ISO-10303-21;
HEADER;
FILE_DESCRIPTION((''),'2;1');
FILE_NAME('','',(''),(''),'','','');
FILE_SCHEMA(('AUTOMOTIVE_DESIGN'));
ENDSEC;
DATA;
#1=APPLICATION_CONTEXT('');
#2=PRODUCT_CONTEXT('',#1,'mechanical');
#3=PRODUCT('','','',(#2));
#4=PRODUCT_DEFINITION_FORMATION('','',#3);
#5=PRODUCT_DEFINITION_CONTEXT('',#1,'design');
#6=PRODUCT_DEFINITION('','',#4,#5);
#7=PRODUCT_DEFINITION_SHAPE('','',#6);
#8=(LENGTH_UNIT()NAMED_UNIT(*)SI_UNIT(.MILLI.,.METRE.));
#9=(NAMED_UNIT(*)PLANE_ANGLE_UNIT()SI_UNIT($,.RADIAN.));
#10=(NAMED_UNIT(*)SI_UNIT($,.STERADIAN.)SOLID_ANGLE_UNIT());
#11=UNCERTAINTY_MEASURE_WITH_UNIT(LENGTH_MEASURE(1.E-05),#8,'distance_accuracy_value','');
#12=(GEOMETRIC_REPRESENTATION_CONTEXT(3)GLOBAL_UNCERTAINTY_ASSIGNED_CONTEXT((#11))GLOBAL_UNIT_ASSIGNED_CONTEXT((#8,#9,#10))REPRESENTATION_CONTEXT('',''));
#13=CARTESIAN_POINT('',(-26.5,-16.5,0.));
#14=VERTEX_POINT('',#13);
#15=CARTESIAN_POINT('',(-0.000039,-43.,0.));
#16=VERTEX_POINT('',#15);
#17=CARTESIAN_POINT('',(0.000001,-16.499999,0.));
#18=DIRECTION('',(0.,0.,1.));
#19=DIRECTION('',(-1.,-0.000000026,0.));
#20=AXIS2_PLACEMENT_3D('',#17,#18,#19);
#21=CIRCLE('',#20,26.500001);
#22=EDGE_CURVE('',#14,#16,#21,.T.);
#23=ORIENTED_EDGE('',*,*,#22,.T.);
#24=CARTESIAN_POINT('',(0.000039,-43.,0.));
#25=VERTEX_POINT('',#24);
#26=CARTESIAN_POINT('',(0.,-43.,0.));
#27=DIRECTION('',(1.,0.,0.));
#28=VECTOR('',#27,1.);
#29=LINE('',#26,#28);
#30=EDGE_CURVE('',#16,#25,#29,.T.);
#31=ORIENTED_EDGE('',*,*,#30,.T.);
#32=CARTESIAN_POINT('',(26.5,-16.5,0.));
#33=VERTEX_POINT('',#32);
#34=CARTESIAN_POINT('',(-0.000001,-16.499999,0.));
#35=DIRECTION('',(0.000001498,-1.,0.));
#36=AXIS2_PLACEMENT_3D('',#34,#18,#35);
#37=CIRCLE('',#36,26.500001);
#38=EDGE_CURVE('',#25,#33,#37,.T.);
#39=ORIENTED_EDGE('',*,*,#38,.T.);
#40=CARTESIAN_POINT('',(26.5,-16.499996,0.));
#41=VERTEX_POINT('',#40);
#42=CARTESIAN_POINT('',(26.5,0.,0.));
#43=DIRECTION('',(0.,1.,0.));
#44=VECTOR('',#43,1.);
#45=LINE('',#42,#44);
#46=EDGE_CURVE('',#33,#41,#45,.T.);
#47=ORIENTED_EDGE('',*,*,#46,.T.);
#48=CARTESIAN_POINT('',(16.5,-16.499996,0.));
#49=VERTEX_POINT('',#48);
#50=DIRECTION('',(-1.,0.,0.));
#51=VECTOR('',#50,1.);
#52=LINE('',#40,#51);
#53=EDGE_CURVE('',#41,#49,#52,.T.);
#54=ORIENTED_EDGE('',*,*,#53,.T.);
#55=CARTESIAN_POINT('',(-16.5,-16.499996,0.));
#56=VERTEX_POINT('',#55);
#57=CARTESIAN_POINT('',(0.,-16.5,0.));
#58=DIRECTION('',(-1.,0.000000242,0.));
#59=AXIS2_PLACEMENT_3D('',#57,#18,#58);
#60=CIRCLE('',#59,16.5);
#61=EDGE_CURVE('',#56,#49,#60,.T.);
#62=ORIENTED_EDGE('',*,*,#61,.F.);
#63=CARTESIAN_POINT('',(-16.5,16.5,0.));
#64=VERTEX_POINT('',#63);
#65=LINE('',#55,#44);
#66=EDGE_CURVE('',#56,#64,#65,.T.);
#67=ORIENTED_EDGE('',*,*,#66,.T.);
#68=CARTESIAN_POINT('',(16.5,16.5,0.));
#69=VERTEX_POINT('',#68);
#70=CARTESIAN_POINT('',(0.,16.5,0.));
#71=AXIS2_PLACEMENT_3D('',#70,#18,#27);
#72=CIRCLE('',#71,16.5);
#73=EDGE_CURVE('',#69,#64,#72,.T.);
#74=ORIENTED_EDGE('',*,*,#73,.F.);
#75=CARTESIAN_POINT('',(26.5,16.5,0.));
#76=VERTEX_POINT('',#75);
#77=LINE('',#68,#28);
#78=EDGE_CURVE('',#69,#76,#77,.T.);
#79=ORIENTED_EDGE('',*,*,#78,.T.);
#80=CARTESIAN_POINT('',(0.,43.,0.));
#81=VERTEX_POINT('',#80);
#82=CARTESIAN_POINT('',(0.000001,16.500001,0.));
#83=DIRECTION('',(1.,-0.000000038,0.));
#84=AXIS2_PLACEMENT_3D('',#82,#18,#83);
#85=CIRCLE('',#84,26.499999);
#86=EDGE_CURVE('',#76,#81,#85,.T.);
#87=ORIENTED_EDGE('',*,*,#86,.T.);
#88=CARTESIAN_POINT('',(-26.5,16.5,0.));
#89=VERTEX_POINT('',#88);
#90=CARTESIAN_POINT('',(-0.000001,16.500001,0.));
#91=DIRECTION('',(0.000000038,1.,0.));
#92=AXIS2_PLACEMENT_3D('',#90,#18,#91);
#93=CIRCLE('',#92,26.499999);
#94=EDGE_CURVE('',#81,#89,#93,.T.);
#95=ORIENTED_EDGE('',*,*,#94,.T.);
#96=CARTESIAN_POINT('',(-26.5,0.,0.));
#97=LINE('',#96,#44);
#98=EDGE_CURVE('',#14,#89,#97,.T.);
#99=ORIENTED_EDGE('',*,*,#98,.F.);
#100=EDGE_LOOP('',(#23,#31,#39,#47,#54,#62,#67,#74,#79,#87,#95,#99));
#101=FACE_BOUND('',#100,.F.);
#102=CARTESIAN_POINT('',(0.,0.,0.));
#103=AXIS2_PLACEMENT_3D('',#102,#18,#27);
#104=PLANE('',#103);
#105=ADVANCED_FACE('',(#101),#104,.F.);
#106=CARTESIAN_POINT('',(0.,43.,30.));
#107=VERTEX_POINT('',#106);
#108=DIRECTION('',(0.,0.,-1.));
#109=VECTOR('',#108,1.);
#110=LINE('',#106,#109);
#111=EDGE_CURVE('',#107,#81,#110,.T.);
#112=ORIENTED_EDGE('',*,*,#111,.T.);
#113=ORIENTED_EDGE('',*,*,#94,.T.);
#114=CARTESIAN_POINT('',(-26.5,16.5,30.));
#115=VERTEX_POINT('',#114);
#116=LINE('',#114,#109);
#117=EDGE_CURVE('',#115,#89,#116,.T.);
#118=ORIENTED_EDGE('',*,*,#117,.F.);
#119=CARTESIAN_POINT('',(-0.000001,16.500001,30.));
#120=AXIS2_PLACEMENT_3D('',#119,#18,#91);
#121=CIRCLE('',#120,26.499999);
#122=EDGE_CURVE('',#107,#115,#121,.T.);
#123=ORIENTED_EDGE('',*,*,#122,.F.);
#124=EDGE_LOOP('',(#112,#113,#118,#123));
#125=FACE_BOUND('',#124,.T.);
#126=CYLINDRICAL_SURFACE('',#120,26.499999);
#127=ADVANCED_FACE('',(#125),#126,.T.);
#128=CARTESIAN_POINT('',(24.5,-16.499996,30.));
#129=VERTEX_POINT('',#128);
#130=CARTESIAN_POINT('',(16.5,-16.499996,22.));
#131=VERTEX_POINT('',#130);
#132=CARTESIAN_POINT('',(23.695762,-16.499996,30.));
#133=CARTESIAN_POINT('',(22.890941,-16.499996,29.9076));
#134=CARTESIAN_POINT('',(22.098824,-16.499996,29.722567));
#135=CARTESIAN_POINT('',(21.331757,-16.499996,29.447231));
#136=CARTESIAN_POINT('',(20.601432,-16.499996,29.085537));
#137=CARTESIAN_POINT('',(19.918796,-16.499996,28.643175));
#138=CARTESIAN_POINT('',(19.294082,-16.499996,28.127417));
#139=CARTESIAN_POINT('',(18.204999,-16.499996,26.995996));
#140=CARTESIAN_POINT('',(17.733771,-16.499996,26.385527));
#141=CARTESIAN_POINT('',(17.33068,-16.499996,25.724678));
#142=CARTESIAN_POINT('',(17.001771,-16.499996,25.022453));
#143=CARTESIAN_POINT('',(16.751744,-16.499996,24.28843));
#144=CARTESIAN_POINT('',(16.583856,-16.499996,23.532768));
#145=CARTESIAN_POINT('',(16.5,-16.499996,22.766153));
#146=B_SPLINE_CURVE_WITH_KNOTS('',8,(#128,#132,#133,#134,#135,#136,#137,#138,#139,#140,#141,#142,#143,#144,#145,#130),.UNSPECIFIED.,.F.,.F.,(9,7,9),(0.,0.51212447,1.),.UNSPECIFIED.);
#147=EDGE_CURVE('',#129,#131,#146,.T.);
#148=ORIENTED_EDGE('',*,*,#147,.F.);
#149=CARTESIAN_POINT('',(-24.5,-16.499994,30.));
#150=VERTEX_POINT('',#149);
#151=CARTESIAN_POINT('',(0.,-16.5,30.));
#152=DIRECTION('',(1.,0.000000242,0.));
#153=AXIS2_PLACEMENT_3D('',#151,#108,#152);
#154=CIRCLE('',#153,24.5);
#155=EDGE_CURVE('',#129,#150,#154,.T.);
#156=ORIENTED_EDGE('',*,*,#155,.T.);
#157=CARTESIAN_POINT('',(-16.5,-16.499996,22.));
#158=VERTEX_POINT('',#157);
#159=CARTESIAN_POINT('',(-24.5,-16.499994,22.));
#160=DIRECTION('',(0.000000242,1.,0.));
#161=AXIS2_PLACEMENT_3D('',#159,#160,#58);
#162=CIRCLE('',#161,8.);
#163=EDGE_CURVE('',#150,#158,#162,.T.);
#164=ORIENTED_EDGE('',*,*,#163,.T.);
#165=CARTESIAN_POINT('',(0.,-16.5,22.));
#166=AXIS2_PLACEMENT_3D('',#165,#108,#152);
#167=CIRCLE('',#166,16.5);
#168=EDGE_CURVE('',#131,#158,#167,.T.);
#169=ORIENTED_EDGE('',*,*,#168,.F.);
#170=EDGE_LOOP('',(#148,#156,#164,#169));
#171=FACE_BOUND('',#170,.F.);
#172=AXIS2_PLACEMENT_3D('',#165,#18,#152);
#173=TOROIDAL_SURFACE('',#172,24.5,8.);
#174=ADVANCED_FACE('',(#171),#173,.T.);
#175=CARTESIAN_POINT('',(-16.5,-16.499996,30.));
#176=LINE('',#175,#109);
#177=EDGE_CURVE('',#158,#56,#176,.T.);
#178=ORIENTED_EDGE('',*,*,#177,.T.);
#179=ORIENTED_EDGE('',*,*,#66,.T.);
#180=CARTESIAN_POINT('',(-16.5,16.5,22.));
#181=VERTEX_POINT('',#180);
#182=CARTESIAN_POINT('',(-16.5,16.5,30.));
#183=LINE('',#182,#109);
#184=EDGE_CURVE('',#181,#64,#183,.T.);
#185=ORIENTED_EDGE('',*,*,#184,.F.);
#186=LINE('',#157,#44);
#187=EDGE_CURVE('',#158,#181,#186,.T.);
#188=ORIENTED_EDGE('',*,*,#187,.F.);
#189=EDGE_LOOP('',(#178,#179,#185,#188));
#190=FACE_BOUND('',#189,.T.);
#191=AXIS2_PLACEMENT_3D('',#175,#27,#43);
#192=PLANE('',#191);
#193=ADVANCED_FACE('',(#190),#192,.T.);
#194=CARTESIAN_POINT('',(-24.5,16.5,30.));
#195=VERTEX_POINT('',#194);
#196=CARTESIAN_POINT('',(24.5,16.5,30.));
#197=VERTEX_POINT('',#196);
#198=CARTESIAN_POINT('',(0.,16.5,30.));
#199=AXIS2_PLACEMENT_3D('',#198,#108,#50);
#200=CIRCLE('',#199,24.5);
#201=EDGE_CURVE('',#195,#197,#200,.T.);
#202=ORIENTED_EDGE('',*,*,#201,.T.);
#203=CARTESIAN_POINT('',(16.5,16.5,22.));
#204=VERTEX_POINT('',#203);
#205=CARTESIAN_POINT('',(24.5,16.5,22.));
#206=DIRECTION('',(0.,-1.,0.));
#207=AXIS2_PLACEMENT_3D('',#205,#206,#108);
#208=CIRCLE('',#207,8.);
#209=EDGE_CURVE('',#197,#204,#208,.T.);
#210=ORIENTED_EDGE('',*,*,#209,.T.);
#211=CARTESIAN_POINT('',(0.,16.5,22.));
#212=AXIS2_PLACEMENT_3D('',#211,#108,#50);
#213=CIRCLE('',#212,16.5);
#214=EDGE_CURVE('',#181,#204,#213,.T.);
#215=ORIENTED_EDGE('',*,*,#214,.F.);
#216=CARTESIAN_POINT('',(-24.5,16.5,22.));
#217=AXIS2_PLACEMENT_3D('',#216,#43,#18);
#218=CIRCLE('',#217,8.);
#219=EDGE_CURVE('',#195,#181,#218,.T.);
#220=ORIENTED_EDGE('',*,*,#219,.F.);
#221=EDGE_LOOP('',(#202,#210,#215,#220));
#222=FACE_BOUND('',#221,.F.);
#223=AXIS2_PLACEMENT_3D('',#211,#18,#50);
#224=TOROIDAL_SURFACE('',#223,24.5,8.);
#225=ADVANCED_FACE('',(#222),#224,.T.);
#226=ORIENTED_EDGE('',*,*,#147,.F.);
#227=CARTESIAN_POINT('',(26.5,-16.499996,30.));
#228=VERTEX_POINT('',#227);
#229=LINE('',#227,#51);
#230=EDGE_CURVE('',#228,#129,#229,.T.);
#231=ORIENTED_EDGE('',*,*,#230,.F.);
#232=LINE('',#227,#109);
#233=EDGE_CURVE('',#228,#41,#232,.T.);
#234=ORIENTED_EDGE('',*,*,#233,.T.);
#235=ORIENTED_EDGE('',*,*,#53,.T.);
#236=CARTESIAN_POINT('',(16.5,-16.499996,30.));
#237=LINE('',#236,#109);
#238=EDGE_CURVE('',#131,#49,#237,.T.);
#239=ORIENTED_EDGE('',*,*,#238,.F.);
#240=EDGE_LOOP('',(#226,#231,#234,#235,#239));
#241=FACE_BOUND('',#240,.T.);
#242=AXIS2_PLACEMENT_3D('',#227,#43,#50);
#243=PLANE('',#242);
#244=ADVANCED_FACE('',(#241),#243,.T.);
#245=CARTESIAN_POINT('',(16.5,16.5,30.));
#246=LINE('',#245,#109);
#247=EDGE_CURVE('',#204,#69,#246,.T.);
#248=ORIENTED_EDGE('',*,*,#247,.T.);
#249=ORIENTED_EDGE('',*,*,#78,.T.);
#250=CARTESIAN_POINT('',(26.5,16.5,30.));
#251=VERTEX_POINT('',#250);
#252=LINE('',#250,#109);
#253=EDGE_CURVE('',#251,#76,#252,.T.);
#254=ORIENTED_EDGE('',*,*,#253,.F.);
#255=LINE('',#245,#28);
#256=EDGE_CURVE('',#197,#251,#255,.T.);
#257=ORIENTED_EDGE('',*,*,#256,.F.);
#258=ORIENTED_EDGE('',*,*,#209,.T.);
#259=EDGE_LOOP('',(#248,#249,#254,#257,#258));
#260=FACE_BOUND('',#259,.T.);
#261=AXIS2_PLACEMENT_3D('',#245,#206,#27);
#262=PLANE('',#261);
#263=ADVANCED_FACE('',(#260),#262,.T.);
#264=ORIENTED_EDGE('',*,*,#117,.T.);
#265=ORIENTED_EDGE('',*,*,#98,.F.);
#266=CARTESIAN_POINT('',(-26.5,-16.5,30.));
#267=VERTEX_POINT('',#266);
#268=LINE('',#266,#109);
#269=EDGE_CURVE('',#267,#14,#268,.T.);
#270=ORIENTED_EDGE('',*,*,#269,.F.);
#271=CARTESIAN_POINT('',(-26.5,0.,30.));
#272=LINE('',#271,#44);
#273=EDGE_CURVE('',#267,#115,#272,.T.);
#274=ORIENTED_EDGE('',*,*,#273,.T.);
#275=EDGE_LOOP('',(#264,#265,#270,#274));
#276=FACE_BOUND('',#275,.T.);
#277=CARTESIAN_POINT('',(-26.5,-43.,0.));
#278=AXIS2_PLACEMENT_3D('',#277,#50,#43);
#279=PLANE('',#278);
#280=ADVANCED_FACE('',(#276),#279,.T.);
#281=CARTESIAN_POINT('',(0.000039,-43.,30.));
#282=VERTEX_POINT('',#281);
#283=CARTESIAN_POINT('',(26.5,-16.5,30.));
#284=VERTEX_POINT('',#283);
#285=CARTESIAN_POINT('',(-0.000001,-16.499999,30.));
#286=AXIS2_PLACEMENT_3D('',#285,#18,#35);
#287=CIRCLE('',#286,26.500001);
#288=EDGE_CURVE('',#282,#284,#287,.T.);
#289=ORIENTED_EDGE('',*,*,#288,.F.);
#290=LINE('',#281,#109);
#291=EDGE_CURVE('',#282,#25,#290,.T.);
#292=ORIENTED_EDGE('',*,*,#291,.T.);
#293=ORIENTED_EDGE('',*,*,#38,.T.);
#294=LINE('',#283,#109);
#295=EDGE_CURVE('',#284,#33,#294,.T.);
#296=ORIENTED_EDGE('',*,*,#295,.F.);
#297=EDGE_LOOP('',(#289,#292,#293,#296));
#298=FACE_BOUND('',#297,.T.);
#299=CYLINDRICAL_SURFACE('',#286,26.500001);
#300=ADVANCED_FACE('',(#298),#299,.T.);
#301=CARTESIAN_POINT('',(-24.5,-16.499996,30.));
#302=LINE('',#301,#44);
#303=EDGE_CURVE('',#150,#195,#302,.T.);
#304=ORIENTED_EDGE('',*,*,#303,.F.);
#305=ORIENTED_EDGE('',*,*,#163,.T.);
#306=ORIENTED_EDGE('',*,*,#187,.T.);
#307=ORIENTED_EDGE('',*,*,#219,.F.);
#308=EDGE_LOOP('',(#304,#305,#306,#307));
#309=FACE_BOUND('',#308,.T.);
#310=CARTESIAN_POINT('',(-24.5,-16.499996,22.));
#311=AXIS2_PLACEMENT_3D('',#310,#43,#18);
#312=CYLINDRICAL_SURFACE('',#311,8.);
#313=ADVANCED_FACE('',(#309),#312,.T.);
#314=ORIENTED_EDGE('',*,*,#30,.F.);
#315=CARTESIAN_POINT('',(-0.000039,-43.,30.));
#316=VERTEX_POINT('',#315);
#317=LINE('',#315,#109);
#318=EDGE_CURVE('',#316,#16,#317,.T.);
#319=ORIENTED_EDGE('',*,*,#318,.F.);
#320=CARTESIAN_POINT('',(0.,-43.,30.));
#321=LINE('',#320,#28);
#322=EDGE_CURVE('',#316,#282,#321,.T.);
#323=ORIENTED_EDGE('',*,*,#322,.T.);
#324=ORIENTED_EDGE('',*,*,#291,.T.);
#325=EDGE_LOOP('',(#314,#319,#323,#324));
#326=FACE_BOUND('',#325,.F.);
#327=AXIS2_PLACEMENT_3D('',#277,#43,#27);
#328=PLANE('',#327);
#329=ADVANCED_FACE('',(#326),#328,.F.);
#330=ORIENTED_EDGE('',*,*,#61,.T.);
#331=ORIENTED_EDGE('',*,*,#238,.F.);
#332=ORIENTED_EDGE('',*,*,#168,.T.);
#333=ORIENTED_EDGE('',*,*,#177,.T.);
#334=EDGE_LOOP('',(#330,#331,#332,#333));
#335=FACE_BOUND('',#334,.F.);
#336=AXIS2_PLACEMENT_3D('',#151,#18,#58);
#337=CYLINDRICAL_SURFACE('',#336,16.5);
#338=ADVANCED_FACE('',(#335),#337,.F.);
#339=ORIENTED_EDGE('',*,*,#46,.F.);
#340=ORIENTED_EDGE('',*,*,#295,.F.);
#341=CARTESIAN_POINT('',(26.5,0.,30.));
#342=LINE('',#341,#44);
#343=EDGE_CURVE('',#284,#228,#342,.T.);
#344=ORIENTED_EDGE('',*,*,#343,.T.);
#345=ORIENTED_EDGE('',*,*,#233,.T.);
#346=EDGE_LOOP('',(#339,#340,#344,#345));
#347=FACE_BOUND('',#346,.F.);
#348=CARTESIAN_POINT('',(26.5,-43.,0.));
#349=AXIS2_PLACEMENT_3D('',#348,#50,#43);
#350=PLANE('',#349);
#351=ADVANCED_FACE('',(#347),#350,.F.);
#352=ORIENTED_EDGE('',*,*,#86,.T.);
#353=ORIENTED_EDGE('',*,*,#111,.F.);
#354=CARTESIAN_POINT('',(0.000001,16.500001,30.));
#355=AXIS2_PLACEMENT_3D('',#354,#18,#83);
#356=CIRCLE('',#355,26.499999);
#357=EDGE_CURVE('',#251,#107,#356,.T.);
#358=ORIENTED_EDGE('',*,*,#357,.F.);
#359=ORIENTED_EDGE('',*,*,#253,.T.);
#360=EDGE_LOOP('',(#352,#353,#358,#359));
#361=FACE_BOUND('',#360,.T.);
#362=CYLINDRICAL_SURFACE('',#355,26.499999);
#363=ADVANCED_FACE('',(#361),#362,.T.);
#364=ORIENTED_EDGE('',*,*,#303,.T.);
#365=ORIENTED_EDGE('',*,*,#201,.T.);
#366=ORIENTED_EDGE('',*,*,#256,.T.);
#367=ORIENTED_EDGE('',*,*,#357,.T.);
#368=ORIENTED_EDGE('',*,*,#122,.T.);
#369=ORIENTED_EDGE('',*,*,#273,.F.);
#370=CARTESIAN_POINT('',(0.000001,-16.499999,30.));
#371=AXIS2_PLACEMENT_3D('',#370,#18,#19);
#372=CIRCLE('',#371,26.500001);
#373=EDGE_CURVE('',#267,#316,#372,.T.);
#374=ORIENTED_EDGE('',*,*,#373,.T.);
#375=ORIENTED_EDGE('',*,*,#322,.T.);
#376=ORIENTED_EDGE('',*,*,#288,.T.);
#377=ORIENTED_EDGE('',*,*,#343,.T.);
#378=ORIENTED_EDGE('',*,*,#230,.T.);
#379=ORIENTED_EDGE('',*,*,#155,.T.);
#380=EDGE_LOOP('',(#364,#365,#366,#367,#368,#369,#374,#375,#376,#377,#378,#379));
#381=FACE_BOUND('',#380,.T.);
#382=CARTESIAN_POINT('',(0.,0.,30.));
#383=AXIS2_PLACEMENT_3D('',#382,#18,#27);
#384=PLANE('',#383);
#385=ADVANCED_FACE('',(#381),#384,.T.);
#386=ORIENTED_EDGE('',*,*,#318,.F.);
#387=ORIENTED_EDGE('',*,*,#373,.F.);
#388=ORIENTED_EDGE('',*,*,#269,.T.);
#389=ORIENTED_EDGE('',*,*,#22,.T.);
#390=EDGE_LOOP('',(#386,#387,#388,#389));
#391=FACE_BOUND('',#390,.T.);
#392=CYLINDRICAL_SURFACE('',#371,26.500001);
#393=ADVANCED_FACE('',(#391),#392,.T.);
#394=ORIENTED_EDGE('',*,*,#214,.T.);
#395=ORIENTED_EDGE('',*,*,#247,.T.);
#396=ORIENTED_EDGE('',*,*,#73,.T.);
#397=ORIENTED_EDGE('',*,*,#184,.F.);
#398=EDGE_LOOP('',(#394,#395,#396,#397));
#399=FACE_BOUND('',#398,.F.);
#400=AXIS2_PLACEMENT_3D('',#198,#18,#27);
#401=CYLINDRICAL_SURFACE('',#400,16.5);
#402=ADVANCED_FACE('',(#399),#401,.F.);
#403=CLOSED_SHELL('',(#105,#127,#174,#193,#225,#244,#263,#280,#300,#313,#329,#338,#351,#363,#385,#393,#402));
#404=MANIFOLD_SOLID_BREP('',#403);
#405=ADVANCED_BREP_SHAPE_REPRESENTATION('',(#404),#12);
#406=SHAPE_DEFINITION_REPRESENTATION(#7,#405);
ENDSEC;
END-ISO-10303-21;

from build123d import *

# Parameters (mm, degrees)
SKETCH_W        = 53
SKETCH_H        = 86
PAD_DEPTH       = 30
POCKET_DEPTH    = 30
POCKET001_DEPTH = 30
POCKET002_DEPTH = 30
POCKET003_DEPTH = 30
POCKET004_DEPTH = 30
FILLET_R        = 8


with BuildPart() as part:
    # Sketch → Pad (new body)
    with BuildSketch(Plane.XY):
        Rectangle(SKETCH_W, SKETCH_H)
    extrude(amount=PAD_DEPTH)

    # Sketch001 (on Face6 of Pad) → Pocket (cut)
    with BuildSketch(Plane.XY.offset(30)):
        with BuildLine():
            ThreePointArc((16.5, 16.5), (0, 33), (-16.5, 16.5))
            Line((-16.5, -16.499996), (-16.5, 16.5))
            ThreePointArc((-16.5, -16.499996), (0, -33), (16.5, -16.499996))
            Line((26.5, -16.499996), (16.5, -16.499996))
            Line((26.5, 16.5), (26.5, -16.499996))
            Line((16.5, 16.5), (26.5, 16.5))
        make_face()
    extrude(amount=-POCKET_DEPTH, mode=Mode.SUBTRACT)

    # Sketch002 (on Face5 of Pocket) → Pocket001 (cut)
    with BuildSketch(Plane.XY.offset(30)):
        with BuildLine():
            ThreePointArc((0, 43), (-18.73833, 35.23833), (-26.5, 16.5))
            Line((-26.5, 16.5), (-26.5, 43))
            Line((-26.5, 43), (0, 43))
        make_face()
    extrude(amount=-POCKET001_DEPTH, mode=Mode.SUBTRACT)

    # Sketch003 (on Face4 of Pocket001) → Pocket002 (cut)
    with BuildSketch(Plane.XY.offset(30)):
        with BuildLine():
            ThreePointArc((26.5, 16.5), (18.73833, 35.23833), (0, 43))
            Line((0, 43), (26.5, 43))
            Line((26.5, 16.5), (26.5, 43))
        make_face()
    extrude(amount=-POCKET002_DEPTH, mode=Mode.SUBTRACT)

    # Sketch004 (on Face4 of Pocket002) → Pocket003 (cut)
    with BuildSketch(Plane.XY.offset(30)):
        with BuildLine():
            ThreePointArc((-26.5, -16.5), (-18.738343, -35.238316), (-3.9e-05, -43))
            Line((-3.9e-05, -43), (-26.5, -43))
            Line((-26.5, -16.5), (-26.5, -43))
        make_face()
    extrude(amount=-POCKET003_DEPTH, mode=Mode.SUBTRACT)

    # Sketch005 (on Face4 of Pocket003) → Pocket004 (cut)
    with BuildSketch(Plane.XY.offset(30)):
        with BuildLine():
            ThreePointArc((3.9e-05, -43), (18.738343, -35.238316), (26.5, -16.5))
            Line((26.5, -16.5), (26.5, -43))
            Line((26.5, -43), (3.9e-05, -43))
        make_face()
    extrude(amount=-POCKET004_DEPTH, mode=Mode.SUBTRACT)

    # Fillet
    fillet_edges = [part.edges().sort_by_distance(p)[0] for p in [
        (-16.5, 2e-06, 30),
    ]]
    fillet(fillet_edges, radius=FILLET_R)


solid = part.part
